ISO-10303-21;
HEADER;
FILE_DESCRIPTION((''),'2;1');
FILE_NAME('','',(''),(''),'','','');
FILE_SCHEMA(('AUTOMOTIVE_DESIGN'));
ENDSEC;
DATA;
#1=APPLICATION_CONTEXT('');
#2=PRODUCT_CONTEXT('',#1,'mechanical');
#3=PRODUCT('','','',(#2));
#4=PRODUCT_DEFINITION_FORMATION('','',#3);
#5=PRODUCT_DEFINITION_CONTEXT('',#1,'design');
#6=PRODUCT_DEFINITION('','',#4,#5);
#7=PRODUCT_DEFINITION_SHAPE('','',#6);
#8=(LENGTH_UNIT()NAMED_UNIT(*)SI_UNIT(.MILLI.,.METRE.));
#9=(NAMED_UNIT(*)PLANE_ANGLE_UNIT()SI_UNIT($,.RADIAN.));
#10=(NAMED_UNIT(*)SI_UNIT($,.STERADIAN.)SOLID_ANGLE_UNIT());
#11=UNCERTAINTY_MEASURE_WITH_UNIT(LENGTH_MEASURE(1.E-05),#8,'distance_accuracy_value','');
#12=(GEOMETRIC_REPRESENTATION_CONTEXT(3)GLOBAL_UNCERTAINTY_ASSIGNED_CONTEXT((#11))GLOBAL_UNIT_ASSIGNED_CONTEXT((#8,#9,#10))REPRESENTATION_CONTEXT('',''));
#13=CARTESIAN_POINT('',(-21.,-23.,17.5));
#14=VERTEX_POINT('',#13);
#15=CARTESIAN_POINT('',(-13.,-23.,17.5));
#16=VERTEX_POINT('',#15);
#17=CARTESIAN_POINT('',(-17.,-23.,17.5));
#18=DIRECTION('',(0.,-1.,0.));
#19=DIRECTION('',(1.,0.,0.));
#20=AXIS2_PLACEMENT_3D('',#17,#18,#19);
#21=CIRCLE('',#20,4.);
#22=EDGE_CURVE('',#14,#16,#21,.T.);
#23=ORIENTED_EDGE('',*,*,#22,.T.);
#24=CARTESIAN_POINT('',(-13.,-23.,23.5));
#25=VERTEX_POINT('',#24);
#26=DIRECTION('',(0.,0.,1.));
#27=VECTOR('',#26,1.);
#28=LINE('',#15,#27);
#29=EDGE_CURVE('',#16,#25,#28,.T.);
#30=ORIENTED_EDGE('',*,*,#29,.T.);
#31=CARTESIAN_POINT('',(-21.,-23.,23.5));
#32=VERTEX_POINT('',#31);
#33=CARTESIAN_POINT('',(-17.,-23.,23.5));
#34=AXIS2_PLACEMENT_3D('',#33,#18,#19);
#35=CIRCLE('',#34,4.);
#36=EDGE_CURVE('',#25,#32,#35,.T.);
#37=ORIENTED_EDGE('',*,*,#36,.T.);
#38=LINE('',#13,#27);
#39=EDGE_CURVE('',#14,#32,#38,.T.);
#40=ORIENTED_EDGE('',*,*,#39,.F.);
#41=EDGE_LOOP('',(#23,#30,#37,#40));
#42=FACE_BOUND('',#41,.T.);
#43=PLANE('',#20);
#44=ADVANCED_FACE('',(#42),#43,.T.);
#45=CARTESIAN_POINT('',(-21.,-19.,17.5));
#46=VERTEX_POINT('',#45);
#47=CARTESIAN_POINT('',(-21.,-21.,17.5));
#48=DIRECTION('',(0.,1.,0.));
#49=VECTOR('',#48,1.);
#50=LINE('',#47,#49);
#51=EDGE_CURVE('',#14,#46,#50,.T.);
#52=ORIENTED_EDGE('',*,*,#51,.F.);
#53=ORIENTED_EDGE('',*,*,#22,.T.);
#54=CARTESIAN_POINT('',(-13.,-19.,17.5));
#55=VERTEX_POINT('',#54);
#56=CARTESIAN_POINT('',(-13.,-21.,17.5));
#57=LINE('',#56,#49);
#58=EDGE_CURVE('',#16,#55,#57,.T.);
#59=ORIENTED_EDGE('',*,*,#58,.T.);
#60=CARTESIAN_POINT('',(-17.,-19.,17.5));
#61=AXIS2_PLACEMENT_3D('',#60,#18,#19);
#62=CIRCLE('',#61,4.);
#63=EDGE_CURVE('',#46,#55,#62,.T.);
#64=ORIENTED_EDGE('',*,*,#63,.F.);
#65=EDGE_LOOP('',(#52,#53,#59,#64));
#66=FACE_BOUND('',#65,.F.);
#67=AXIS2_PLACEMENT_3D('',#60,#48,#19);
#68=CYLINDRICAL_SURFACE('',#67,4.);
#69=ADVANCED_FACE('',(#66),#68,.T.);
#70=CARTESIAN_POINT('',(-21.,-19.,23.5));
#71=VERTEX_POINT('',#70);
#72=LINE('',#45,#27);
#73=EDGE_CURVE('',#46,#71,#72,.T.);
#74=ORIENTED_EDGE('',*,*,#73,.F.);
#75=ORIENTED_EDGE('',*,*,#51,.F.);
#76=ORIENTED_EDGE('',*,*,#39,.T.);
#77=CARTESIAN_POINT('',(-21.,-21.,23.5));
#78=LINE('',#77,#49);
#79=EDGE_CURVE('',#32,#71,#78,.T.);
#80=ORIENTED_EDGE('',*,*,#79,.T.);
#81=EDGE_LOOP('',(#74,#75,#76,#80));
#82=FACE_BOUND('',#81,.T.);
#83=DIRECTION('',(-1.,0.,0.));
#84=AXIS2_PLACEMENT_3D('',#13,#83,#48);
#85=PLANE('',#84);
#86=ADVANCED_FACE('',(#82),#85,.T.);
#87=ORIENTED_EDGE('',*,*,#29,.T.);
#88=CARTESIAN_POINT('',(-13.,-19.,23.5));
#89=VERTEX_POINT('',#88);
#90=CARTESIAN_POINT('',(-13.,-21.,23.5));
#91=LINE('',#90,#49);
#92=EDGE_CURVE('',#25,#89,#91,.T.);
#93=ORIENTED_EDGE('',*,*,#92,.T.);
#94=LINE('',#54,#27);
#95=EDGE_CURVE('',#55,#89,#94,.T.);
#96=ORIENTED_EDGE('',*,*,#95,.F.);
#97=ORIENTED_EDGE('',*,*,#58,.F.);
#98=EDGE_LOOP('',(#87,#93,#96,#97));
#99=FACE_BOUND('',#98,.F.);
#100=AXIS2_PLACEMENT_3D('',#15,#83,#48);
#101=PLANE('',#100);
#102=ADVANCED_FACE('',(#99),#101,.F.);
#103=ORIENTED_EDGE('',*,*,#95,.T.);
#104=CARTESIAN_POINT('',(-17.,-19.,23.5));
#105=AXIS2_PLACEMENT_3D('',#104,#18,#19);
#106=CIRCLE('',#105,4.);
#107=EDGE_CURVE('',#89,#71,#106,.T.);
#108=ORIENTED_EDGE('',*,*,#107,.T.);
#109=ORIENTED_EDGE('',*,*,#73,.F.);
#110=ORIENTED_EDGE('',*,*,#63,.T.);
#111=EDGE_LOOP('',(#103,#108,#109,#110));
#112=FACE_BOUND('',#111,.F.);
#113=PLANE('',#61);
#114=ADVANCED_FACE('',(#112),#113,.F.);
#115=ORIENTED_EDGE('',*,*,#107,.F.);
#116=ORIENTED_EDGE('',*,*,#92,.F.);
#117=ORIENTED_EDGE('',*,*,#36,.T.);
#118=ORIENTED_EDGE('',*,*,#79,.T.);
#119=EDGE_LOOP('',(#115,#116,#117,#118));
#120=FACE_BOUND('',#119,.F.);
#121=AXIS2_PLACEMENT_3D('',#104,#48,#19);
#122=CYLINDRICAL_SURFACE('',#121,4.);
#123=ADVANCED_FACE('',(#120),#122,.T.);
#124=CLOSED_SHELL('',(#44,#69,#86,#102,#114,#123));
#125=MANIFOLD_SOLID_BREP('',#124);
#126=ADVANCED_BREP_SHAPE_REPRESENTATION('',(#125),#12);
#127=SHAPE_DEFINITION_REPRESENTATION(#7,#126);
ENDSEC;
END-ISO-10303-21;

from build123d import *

# Parameters (mm, degrees)
CYLINDER076_R     = 4
CYLINDER076_DEPTH = 4
CYLINDER074_R     = 4
CYLINDER074_DEPTH = 4
BOX063048_W       = 8
BOX063048_H       = 4
BOX063048_DEPTH   = 6


with BuildPart() as cylinder076:
    # Cylinder076 → Cylinder076 (new body)
    with BuildSketch(Plane(origin=(-17, -19, 23.5), x_dir=(1, 0, 0), z_dir=(0, -1, 0))):
        Circle(CYLINDER076_R)
    extrude(amount=CYLINDER076_DEPTH)


with BuildPart() as cylinder074:
    # Cylinder074 → Cylinder074 (new body)
    with BuildSketch(Plane(origin=(-17, -19, 17.5), x_dir=(1, 0, 0), z_dir=(0, -1, 0))):
        Circle(CYLINDER074_R)
    extrude(amount=CYLINDER074_DEPTH)


with BuildPart() as bltouch_height_chamfer:
    # Box063048 → Box063048 (new body)
    with BuildSketch(Plane(origin=(-21, -23, 17.5), x_dir=(1, 0, 0), z_dir=(0, 0, 1))):
        with Locations((4, 2)):
            Rectangle(BOX063048_W, BOX063048_H)
    extrude(amount=BOX063048_DEPTH)

    # Fusion036012039011002025018: union Cylinder076, Cylinder074
    add(cylinder076.part)
    add(cylinder074.part)


solid = bltouch_height_chamfer.part
